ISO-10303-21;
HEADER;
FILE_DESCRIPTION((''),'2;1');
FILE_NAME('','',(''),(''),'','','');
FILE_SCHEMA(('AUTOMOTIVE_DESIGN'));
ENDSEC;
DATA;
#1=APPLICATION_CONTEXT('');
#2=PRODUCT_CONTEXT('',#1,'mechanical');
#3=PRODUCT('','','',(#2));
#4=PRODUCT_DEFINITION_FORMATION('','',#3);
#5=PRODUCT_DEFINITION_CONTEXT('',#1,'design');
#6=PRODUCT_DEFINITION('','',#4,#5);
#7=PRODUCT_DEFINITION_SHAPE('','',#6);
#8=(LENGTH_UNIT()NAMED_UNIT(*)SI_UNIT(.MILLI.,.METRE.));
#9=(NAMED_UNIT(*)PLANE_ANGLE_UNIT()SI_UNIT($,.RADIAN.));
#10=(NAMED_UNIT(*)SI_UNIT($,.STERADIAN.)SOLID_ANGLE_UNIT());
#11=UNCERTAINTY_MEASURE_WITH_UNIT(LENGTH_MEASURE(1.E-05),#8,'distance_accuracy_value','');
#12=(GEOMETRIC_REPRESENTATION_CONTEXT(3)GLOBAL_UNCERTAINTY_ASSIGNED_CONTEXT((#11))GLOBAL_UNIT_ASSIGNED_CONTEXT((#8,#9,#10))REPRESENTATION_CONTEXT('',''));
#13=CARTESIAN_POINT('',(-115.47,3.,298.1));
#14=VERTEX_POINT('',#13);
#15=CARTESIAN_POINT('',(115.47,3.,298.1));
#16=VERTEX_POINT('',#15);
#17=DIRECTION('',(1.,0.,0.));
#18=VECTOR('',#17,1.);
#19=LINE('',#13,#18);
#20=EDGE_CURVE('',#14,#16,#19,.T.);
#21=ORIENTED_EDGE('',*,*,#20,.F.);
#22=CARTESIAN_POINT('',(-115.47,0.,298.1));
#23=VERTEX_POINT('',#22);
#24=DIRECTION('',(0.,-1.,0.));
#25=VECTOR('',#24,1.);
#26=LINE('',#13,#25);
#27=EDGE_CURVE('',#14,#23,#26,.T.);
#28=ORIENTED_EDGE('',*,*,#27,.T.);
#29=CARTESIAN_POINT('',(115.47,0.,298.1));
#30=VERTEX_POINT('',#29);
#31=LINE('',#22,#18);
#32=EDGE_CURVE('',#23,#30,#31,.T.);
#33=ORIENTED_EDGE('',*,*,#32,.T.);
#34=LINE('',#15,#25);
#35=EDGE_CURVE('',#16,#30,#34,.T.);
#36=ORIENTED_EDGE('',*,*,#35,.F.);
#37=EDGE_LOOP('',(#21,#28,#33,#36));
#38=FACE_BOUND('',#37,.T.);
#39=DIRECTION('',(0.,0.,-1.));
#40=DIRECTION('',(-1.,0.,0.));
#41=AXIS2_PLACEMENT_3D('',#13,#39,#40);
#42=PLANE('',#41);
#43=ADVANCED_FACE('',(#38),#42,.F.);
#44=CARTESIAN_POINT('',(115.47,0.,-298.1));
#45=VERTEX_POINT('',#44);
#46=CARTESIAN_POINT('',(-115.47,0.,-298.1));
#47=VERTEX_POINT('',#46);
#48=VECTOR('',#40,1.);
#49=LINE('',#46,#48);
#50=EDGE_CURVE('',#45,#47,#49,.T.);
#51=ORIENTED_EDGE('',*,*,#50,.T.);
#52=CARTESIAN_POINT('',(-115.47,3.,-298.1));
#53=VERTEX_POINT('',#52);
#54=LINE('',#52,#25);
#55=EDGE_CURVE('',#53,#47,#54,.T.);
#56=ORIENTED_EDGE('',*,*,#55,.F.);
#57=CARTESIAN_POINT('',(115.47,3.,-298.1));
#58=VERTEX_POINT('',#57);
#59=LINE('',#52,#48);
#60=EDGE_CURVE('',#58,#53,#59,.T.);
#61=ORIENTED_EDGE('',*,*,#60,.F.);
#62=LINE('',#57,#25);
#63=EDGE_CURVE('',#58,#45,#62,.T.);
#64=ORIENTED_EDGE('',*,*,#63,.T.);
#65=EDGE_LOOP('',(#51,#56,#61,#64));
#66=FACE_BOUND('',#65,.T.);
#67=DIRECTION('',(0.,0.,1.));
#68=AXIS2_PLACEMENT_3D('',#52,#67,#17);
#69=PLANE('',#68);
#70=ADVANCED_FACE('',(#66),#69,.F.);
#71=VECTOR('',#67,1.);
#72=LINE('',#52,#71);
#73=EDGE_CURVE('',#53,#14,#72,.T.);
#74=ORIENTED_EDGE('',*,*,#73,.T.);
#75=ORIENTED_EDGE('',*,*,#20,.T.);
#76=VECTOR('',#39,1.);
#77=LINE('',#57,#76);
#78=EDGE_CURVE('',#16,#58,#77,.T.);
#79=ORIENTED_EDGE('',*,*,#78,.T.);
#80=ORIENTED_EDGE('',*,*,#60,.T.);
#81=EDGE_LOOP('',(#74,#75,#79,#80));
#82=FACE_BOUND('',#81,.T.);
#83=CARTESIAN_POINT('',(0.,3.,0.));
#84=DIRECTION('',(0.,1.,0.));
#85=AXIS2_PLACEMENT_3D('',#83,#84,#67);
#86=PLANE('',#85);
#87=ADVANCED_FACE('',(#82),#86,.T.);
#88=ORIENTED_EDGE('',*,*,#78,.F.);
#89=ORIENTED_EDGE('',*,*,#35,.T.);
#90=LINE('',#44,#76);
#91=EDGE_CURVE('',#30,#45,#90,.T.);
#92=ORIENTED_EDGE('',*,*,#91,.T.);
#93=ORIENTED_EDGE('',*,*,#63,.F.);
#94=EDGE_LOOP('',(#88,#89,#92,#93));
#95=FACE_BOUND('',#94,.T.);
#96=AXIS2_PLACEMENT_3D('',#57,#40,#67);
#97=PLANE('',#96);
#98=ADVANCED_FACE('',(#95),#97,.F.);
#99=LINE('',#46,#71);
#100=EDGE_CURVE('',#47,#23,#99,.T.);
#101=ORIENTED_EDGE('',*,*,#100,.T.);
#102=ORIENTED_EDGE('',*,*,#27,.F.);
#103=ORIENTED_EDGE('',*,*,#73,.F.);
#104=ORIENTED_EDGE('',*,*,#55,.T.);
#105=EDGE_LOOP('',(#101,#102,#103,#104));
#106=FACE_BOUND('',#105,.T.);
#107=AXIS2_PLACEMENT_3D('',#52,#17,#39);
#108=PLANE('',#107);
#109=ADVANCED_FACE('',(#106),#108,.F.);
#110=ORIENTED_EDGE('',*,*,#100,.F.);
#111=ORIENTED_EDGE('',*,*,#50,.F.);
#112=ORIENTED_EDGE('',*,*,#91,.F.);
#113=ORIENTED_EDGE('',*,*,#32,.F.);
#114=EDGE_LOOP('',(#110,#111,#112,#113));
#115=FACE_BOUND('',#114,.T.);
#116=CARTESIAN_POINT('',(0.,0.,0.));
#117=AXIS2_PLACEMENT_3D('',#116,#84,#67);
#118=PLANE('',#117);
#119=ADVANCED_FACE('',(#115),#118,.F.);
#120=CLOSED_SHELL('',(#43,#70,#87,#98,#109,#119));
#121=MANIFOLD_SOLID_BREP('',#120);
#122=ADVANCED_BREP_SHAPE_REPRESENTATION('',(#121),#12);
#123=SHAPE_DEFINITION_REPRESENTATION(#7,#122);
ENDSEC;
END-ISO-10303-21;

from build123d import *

# Parameters (mm, degrees)
CROQUIS1_W              = 230.94
CROQUIS1_H              = 596.2
SALIENTE_EXTRUIR1_DEPTH = 3


with BuildPart() as part:
    # Croquis1 → Saliente-Extruir1 (new body)
    with BuildSketch(Plane(origin=(0, 0, 0), x_dir=(1, 0, 0), z_dir=(0, 1, 0))):
        Rectangle(CROQUIS1_W, CROQUIS1_H)
    extrude(amount=SALIENTE_EXTRUIR1_DEPTH)


solid = part.part
